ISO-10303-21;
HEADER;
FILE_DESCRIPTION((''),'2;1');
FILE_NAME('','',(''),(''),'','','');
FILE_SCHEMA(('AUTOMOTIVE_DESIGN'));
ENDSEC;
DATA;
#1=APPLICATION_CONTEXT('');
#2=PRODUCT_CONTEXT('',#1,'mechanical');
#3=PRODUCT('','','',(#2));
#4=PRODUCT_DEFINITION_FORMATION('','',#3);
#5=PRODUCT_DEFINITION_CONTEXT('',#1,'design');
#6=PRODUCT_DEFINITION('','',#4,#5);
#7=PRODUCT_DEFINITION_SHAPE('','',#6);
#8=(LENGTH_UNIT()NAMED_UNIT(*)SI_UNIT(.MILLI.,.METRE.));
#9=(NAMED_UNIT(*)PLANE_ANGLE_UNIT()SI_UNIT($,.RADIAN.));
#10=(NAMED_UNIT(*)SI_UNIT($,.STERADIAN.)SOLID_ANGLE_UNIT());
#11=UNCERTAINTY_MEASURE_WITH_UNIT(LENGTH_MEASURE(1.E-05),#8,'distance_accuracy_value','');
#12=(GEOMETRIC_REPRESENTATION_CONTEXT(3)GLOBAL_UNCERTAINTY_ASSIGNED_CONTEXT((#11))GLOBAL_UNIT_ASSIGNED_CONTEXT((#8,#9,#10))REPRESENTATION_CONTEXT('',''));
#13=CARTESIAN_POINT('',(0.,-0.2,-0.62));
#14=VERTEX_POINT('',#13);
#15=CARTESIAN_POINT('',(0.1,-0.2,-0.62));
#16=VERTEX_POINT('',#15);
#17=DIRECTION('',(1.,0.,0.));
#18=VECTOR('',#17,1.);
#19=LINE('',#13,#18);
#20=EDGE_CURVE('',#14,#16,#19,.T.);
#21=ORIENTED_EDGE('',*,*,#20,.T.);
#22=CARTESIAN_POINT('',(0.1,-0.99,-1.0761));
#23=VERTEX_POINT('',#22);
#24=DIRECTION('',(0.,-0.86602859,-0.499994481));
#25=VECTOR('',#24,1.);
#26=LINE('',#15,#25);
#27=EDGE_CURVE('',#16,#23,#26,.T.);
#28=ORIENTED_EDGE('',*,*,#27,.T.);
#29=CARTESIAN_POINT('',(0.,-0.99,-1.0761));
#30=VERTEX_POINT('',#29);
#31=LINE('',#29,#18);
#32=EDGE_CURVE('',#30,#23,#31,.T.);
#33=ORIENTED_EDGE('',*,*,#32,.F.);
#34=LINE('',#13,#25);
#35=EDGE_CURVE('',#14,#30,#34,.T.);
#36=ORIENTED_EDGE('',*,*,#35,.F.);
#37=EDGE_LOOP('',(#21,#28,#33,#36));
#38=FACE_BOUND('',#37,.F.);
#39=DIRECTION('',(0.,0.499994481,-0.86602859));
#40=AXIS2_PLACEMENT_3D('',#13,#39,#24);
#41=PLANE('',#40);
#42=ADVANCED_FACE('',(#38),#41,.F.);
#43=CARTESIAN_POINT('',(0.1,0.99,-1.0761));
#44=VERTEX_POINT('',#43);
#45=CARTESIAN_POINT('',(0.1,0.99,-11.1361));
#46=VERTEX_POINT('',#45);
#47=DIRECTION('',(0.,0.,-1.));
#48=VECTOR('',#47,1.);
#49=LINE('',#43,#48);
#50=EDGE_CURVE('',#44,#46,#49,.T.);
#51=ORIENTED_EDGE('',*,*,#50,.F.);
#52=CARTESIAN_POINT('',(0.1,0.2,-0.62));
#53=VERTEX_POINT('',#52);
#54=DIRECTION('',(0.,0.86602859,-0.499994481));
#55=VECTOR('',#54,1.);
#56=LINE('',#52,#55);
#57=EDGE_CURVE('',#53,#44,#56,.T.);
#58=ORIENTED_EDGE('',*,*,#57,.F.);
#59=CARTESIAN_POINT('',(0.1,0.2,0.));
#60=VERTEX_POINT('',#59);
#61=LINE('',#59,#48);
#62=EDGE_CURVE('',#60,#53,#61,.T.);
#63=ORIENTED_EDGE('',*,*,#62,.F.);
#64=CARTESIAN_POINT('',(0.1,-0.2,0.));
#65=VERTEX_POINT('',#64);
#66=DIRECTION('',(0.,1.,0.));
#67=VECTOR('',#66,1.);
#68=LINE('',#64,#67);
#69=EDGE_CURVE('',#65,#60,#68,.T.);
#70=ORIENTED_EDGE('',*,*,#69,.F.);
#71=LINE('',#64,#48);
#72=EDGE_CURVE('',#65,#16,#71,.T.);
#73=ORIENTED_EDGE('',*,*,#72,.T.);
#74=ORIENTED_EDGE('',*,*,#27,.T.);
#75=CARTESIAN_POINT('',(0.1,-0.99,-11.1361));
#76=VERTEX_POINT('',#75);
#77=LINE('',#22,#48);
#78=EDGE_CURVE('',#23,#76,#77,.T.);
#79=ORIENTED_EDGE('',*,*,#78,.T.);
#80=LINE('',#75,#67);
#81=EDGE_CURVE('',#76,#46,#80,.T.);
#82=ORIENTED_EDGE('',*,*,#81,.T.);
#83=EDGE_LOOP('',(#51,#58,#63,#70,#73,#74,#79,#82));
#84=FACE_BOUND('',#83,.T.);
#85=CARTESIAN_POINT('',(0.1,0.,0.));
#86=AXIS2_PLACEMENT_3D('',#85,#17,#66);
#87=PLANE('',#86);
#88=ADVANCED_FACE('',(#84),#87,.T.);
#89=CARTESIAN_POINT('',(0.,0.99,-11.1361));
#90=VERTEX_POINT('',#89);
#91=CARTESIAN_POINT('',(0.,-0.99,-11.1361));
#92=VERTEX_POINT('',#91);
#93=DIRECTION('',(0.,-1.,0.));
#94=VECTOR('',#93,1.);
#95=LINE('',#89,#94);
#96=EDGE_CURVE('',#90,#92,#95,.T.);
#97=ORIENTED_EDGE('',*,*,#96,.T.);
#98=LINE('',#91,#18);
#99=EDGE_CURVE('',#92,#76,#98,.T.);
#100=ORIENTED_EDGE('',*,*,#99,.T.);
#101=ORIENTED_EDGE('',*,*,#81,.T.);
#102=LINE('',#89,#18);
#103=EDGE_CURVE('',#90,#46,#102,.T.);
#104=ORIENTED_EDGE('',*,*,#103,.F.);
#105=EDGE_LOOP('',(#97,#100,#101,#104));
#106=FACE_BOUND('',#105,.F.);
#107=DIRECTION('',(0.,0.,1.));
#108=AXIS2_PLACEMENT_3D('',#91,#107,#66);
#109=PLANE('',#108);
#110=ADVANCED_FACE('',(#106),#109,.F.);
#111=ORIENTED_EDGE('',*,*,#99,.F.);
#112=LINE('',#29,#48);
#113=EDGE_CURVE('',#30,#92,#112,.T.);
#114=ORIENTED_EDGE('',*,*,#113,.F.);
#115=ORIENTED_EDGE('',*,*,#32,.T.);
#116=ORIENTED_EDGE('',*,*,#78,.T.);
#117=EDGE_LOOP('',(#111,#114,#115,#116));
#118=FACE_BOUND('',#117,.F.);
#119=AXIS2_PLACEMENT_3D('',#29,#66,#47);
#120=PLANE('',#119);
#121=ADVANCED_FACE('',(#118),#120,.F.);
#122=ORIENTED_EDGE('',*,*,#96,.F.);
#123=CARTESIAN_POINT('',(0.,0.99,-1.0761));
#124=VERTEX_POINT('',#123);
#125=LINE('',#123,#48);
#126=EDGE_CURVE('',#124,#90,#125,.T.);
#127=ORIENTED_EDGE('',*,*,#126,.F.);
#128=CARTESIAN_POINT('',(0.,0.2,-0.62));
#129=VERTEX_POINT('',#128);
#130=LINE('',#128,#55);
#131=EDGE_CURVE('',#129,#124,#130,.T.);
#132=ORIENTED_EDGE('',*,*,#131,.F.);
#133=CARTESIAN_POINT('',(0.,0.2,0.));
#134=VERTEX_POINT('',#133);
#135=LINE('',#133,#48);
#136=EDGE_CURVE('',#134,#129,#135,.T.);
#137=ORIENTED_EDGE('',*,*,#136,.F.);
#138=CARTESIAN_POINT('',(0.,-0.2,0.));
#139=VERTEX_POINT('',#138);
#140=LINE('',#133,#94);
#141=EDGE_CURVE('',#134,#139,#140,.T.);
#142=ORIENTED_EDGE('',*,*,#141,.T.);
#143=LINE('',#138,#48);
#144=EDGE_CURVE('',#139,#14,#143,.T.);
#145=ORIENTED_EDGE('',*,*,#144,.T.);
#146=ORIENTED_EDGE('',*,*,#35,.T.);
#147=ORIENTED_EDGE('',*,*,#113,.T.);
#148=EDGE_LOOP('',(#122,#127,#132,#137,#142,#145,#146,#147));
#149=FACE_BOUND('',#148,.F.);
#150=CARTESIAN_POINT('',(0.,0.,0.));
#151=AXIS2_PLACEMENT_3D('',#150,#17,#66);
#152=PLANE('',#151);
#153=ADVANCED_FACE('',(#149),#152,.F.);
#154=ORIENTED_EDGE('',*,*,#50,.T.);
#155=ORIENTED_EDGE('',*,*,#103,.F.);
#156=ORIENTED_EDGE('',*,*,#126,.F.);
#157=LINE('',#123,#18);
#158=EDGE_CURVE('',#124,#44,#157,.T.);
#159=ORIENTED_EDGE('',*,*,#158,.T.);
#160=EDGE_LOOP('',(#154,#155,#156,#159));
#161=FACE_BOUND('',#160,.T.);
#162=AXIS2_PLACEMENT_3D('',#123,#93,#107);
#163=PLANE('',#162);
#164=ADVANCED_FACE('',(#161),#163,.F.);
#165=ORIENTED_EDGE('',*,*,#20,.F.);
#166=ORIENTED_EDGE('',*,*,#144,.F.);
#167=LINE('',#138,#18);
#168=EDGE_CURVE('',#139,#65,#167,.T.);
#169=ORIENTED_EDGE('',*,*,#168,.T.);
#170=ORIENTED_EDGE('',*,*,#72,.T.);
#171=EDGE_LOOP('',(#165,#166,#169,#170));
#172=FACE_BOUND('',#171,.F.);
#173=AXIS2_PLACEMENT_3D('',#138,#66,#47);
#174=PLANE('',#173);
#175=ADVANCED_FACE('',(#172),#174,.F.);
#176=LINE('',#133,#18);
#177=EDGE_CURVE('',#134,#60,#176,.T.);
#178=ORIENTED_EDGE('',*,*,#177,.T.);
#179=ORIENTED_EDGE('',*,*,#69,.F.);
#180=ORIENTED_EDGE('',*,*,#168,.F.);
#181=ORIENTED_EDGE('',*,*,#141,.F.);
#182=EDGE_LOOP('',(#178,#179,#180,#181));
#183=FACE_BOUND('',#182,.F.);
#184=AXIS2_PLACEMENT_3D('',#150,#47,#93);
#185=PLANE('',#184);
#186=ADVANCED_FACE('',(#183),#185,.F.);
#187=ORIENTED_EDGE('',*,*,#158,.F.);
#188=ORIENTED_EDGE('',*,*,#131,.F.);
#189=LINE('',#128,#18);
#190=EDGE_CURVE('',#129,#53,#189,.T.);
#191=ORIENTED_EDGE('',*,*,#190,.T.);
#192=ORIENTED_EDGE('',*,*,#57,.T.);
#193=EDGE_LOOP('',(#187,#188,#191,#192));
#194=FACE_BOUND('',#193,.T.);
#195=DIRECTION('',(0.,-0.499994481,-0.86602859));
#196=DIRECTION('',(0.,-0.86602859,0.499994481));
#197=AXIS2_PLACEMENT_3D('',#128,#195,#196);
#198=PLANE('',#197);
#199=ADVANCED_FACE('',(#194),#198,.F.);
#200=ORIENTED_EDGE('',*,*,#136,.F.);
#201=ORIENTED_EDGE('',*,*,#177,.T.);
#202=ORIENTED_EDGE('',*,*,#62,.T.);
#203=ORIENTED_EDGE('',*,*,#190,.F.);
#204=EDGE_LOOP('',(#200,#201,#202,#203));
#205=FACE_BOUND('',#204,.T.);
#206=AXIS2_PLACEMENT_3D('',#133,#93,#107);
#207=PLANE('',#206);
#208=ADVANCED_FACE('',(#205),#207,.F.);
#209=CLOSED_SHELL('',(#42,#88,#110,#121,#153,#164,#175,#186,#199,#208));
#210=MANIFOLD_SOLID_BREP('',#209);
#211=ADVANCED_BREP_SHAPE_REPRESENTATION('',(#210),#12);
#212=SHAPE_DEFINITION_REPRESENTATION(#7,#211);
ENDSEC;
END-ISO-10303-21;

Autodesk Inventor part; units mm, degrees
ref_plane "YZ Plane" through (0, 0, 0) normal (1, 0, 0) x (0, 1, 0)
ref_plane "XZ Plane" through (0, 0, 0) normal (0, 1, 0) x (-1, 0, 0)
ref_plane "XY Plane" through (0, 0, 0) normal (0, 0, 1) x (1, 0, 0)
sketch "Boceto2" plane through (0, 0, 0) normal (1, 0, 0) x (0, 1, 0)
  line L0 (-0.2, 0) -> (-0.2, -0.62)
  line L1 (-0.2, -0.62) -> (-0.99, -1.0761)
  line L2 (-0.99, -1.0761) -> (-0.99, -11.1361)
  line L3 (-0.99, -11.1361) -> (0, -11.1361)
  line L4 (0, 0) -> (-0.2, 0)
  line L5 (0, -11.1361) -> (0, 0)
  dimension "d10" = 0.2
  dimension "d11" = 0.62
  dimension "d12" = 10.06
  dimension "d13" = 60
  dimension "d14" = 0.99
extrude "Extrusión1" add sketch "Boceto2" along normal blind 0.1
mirror "Simetría1" about plane through (0, 0, -11.1361) normal (0, 1, 0) of "Extrusión1"
equation "\"d10\" = 0.5 * d18"
equation "\"d11\" = d15"
equation "\"d12\" = d16"
equation "\"d13\" = d17"
equation "\"d14\" = 0.5 * d19"
equation "\"Dc\" = 0.4"
equation "\"Lc\" = 0.62"
equation "\"Ln\" = 10.06"
equation "\"Do\" = 1.98"
equation "\"alfa\" = 60deg"
equation "\"d15\" = 0.62"
equation "\"d16\" = 10.06"
equation "\"d17\" = 60deg"
equation "\"d18\" = 0.4"
equation "\"d19\" = 1.98"
properties part number "2DBoquilla0.4"
